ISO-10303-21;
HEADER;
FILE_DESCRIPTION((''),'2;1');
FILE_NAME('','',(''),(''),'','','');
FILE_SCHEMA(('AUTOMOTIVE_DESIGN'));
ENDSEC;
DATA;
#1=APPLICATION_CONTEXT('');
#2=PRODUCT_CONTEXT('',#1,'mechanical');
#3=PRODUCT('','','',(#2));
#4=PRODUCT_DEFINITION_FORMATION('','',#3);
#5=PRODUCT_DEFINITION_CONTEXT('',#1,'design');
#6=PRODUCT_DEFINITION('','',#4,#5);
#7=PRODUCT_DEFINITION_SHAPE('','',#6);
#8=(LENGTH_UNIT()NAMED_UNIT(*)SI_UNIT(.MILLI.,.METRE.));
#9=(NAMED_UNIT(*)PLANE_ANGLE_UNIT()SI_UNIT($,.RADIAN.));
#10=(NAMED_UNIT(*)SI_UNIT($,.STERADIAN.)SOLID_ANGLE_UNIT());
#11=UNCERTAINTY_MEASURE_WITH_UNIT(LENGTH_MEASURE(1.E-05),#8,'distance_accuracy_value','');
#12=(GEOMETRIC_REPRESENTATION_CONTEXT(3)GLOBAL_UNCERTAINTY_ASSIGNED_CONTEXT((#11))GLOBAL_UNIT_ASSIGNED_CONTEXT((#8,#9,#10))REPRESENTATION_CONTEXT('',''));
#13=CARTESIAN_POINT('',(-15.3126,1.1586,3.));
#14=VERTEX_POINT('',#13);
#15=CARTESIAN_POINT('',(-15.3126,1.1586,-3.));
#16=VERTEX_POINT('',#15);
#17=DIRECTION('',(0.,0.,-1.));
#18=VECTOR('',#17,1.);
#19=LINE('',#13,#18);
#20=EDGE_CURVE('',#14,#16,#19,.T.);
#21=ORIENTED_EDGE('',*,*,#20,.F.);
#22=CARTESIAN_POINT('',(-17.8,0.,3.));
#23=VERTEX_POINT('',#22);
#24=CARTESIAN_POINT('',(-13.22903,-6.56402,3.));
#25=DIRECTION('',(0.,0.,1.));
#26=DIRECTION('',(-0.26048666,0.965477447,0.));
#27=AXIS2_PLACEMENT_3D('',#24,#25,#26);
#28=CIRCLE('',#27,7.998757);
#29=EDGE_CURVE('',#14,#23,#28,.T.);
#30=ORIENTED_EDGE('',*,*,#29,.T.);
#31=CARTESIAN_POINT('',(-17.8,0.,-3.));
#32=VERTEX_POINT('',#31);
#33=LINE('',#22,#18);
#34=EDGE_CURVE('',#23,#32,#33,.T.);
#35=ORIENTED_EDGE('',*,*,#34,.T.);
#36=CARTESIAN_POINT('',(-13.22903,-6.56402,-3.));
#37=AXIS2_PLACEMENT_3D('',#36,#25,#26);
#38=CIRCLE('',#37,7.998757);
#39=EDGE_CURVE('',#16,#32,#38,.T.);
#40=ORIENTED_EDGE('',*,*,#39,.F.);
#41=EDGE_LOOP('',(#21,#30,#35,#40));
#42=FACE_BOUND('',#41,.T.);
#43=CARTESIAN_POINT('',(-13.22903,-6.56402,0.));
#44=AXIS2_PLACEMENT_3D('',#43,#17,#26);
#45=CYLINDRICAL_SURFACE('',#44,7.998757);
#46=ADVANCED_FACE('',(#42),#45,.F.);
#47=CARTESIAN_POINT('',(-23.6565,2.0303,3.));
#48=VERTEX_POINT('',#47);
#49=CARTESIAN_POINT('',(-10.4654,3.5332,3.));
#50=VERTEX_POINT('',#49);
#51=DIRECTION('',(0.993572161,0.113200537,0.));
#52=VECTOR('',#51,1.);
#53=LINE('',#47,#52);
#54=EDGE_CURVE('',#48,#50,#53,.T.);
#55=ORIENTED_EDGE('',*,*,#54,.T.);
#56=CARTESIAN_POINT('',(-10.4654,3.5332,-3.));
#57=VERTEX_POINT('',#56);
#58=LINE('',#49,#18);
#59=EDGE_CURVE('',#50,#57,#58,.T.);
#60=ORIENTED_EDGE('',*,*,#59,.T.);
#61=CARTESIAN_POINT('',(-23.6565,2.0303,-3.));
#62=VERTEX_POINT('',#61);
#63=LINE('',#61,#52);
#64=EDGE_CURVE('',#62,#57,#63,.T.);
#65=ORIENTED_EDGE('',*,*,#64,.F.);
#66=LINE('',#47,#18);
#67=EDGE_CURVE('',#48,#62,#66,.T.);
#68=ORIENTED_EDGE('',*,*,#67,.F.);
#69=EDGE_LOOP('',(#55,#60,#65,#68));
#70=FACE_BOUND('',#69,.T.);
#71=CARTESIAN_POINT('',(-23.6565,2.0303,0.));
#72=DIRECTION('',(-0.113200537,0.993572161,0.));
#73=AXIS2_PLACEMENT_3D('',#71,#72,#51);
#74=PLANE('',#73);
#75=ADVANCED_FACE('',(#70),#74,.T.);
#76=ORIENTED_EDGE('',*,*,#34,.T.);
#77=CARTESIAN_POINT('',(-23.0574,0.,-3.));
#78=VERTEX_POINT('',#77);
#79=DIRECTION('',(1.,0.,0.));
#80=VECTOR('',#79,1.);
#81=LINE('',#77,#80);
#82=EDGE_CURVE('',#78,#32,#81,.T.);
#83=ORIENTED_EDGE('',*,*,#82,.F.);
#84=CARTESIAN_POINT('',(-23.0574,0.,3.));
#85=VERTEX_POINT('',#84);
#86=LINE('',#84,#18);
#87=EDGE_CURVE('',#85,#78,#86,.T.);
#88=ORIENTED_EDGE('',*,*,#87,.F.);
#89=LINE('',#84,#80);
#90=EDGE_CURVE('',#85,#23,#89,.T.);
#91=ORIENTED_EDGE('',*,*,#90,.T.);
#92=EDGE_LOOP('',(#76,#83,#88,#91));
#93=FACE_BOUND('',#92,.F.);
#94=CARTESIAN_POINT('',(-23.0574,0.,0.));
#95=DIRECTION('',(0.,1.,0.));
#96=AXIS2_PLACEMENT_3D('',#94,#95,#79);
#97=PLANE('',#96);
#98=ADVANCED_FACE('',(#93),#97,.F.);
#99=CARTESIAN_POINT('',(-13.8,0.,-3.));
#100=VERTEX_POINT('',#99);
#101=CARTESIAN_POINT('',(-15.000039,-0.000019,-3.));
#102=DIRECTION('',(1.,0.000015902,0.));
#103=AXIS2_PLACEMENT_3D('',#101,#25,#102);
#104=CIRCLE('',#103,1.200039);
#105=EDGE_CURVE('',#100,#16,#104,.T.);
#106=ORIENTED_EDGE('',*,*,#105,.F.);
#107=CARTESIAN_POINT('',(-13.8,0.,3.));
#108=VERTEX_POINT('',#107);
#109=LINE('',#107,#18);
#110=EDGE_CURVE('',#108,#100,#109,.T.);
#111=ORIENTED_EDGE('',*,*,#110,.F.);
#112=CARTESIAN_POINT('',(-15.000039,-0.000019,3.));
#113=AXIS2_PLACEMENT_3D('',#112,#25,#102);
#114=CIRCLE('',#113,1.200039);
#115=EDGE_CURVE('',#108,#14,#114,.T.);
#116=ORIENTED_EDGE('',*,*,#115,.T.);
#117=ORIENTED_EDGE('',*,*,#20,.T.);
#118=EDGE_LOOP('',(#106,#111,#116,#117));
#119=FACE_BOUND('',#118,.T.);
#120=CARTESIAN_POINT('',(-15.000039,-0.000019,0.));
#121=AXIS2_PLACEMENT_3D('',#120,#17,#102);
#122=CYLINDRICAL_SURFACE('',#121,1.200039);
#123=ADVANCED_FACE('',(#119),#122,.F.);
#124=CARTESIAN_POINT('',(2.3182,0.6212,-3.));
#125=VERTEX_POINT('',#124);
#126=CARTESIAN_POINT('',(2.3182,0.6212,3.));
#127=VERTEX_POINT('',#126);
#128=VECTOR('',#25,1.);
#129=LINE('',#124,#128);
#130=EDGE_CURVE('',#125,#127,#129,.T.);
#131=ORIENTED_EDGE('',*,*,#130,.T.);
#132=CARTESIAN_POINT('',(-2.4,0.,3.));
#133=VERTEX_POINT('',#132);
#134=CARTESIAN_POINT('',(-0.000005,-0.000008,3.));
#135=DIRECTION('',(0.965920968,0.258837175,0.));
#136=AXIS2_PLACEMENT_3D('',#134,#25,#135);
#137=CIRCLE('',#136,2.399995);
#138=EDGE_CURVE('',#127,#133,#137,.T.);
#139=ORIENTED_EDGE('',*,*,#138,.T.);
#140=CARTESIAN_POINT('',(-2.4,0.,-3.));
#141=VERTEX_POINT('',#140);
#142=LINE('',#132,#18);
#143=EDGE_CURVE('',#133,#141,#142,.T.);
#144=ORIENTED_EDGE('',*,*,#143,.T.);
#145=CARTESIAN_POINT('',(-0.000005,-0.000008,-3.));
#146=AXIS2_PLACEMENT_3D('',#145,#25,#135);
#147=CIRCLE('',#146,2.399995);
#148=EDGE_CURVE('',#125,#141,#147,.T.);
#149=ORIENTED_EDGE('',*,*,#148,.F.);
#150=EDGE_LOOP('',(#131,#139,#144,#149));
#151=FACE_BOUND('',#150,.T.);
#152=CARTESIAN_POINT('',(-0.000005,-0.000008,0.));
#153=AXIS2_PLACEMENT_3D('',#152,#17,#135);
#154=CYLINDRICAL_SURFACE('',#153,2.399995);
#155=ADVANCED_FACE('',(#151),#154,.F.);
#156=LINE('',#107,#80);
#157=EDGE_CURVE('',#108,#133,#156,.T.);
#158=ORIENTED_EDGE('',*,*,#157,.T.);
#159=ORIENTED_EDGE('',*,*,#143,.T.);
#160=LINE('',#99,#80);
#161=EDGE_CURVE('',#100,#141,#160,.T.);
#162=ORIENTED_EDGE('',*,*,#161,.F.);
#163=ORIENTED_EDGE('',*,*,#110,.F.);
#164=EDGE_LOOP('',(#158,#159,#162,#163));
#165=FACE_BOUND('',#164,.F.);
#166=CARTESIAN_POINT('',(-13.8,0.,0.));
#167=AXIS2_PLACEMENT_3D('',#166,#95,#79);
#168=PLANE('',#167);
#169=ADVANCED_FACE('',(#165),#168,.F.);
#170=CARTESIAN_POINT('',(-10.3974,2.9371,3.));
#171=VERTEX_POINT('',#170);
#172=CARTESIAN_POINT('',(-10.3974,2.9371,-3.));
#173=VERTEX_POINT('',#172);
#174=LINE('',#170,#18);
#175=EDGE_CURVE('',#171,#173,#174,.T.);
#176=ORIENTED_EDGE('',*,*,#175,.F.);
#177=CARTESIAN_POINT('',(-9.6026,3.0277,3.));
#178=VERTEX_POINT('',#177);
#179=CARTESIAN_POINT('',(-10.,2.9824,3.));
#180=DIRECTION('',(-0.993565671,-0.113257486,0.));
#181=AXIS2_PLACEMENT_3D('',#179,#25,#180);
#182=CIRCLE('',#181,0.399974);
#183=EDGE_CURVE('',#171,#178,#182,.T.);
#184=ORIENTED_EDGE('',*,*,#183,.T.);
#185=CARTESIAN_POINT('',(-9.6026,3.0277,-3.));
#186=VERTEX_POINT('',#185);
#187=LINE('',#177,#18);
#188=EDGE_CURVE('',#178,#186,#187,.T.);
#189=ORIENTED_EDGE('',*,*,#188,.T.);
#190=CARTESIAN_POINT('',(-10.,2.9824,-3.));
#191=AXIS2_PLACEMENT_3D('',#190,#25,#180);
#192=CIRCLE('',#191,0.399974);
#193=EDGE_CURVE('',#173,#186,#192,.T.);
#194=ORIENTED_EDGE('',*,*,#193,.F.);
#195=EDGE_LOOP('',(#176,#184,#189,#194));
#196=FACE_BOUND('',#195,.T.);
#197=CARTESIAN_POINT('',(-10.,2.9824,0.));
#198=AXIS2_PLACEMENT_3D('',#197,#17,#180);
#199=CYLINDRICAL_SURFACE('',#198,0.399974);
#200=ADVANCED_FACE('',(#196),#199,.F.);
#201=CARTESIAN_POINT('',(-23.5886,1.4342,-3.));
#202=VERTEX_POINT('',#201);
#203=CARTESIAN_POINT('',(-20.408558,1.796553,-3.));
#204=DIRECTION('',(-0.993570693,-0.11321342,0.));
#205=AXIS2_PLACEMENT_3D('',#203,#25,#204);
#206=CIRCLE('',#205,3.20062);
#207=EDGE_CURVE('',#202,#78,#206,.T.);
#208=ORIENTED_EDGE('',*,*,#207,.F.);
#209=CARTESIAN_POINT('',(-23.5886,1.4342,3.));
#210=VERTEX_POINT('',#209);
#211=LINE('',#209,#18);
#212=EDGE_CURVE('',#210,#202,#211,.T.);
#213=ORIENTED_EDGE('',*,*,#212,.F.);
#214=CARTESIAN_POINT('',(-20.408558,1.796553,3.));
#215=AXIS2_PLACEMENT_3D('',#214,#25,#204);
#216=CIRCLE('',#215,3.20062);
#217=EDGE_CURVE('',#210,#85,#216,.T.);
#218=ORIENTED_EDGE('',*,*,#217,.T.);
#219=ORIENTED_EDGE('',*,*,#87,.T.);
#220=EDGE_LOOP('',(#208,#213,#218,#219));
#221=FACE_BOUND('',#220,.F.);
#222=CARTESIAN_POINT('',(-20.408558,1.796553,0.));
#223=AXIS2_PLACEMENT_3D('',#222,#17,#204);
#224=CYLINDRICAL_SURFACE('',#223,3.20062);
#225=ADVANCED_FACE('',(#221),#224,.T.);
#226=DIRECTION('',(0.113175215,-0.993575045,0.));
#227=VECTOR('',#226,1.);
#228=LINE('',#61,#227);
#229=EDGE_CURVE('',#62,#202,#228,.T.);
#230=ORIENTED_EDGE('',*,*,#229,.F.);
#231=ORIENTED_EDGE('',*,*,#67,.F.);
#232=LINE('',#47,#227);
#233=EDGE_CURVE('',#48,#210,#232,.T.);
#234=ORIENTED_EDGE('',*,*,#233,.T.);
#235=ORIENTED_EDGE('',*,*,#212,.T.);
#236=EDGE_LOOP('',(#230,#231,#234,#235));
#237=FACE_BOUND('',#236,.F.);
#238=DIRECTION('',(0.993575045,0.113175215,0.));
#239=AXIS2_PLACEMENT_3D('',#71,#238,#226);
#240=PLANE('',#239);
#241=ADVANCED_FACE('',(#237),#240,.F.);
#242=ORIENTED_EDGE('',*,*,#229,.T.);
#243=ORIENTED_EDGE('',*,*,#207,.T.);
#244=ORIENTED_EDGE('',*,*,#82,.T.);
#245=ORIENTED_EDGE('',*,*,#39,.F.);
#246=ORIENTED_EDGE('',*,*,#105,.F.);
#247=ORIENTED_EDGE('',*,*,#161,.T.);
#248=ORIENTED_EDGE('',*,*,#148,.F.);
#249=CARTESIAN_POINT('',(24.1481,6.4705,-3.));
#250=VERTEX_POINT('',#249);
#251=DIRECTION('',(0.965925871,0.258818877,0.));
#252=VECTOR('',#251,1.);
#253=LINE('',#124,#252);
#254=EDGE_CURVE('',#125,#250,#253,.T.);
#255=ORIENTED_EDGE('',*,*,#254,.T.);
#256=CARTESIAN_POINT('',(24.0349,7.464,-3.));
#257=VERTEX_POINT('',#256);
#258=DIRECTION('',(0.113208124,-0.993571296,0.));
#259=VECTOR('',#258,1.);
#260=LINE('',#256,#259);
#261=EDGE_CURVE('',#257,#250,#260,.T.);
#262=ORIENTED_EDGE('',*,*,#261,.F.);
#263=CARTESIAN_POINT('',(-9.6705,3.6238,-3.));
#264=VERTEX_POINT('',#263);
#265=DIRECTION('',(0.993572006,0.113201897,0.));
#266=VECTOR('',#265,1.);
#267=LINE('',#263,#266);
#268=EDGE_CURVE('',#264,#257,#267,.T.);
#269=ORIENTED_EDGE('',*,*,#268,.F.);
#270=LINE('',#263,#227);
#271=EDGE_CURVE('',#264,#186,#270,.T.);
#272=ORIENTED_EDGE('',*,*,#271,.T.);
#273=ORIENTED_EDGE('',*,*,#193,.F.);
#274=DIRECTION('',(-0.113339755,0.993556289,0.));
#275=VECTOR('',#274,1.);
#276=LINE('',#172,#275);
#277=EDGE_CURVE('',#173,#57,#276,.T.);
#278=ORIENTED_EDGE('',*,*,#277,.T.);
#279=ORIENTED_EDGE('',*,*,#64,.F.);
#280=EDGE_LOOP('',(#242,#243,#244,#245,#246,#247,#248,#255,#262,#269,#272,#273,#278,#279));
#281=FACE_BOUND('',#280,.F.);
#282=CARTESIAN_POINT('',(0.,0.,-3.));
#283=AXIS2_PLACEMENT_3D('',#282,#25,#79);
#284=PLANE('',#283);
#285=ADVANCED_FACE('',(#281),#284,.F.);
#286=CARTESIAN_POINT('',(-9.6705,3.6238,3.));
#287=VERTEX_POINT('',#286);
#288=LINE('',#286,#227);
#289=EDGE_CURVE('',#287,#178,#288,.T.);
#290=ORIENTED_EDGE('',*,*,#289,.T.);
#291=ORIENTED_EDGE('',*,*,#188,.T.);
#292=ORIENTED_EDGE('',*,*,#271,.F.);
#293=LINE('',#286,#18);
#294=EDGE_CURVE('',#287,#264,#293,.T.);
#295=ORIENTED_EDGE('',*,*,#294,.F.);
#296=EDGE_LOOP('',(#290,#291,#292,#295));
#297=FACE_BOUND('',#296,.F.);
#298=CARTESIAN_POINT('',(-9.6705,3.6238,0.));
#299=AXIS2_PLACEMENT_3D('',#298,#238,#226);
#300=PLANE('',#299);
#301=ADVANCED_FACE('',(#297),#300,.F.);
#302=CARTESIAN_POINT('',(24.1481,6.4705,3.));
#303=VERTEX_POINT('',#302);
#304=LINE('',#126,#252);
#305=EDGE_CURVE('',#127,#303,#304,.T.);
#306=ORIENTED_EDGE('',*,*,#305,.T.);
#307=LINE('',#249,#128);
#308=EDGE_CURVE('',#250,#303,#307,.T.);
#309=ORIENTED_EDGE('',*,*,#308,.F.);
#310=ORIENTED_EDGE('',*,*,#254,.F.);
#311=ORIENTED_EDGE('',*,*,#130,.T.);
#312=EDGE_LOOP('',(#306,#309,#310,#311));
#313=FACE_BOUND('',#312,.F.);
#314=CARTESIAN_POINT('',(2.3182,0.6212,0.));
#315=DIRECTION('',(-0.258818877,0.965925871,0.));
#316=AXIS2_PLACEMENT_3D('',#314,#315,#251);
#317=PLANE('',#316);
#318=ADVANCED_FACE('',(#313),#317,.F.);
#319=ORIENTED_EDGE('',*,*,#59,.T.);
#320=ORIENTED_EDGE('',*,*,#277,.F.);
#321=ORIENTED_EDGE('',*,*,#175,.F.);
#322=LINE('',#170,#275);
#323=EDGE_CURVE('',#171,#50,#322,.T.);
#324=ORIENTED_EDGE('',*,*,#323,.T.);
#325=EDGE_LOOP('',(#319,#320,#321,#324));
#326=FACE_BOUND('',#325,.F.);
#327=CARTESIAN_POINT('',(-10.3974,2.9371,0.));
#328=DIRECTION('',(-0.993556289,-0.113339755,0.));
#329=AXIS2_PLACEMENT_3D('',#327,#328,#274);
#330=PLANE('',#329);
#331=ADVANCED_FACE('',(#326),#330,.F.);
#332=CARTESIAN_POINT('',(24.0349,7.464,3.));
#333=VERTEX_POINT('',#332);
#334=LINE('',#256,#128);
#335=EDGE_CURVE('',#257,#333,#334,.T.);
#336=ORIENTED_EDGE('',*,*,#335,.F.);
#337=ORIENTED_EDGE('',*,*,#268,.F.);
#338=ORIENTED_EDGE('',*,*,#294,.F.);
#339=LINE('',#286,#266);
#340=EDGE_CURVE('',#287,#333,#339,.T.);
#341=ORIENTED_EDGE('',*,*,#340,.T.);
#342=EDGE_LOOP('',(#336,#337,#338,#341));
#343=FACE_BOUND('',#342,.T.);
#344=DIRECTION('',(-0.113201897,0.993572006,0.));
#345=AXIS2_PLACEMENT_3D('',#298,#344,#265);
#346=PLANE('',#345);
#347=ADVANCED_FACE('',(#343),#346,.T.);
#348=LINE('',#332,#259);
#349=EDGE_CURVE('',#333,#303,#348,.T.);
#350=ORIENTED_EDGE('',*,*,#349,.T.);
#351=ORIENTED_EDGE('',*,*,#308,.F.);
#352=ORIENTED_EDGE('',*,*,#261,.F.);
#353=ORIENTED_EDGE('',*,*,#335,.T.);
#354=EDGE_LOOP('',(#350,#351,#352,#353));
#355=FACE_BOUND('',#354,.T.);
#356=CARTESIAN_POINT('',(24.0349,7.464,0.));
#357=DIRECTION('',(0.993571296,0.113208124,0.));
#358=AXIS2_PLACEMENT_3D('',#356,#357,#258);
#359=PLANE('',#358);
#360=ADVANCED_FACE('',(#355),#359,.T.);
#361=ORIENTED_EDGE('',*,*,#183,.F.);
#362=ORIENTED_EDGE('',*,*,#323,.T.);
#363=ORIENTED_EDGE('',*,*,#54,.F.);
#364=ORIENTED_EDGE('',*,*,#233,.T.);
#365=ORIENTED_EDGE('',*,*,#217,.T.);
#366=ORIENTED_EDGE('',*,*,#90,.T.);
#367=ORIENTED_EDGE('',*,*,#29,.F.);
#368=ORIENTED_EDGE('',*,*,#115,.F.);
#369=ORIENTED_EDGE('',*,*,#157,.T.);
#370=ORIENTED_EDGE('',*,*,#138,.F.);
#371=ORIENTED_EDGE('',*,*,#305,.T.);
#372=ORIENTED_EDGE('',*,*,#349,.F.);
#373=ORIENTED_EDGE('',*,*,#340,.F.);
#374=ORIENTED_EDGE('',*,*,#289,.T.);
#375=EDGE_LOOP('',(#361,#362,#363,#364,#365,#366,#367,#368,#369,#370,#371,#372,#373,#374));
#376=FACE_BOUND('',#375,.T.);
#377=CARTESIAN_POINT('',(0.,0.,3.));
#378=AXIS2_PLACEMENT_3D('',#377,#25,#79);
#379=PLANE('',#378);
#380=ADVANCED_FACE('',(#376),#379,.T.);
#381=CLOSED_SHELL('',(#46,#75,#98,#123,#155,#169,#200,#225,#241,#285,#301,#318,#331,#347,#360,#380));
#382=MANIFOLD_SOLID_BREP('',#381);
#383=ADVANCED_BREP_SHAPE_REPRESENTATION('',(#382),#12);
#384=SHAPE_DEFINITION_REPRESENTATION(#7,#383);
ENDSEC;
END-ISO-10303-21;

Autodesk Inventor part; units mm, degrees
ref_plane "YZ Plane" through (0, 0, 0) normal (1, 0, 0) x (0, 1, 0)
ref_plane "XZ Plane" through (0, 0, 0) normal (0, 1, 0) x (-1, 0, 0)
ref_plane "XY Plane" through (0, 0, 0) normal (0, 0, 1) x (1, 0, 0)
sketch "Náčrt1" plane through (0, 0, 0) normal (0, 0, 1) x (1, 0, 0)
  arc A0 (2.3182, 0.6212) -> (-2.4, 0) centre (0, 0) ccw
  line L0 (2.3182, 0.6212) -> (24.1481, 6.4705)
  line L1 (0, 0) -> (25, 0) construction
  line L2 (24.0349, 7.464) -> (24.1481, 6.4705)
  line L3 (-23.6565, 2.0303) -> (-23.5886, 1.4342)
  arc A1 (-13.8, 0) -> (-15.3126, 1.1586) centre (-15, 0) ccw
  arc A2 (-15.3126, 1.1586) -> (-17.8, 0) centre (-13.2286, -6.5652) ccw
  arc A3 (-23.5886, 1.4342) -> (-23.0574, 0) centre (-20.4092, 1.7964) ccw
  line L4 (-23.0574, 0) -> (-17.8, 0)
  line L5 (-13.8, 0) -> (-2.4, 0)
  arc A4 (-10.3974, 2.9371) -> (-9.6026, 3.0277) centre (-10, 2.9824) ccw
  line L6 (-10.3974, 2.9371) -> (-10.4654, 3.5332)
  line L7 (-9.6705, 3.6238) -> (-9.6026, 3.0277)
  line L8 (-23.6565, 2.0303) -> (-10.4654, 3.5332)
  line L9 (-9.6705, 3.6238) -> (24.0349, 7.464)
  dimension "d0" = 4.8
  dimension "d1" = 25
  dimension "d2" = 15
  dimension "d3" = 48
  dimension "d6" = 1
  dimension "d7" = 0.6
  dimension "d10" = 2.4
  dimension "d13" = 4
  dimension "d14" = 8
  dimension "d16" = 0.8
extrude "Vysunutí1" add sketch "Náčrt1" along normal mid plane 6
properties part number "kolik_drivko"
